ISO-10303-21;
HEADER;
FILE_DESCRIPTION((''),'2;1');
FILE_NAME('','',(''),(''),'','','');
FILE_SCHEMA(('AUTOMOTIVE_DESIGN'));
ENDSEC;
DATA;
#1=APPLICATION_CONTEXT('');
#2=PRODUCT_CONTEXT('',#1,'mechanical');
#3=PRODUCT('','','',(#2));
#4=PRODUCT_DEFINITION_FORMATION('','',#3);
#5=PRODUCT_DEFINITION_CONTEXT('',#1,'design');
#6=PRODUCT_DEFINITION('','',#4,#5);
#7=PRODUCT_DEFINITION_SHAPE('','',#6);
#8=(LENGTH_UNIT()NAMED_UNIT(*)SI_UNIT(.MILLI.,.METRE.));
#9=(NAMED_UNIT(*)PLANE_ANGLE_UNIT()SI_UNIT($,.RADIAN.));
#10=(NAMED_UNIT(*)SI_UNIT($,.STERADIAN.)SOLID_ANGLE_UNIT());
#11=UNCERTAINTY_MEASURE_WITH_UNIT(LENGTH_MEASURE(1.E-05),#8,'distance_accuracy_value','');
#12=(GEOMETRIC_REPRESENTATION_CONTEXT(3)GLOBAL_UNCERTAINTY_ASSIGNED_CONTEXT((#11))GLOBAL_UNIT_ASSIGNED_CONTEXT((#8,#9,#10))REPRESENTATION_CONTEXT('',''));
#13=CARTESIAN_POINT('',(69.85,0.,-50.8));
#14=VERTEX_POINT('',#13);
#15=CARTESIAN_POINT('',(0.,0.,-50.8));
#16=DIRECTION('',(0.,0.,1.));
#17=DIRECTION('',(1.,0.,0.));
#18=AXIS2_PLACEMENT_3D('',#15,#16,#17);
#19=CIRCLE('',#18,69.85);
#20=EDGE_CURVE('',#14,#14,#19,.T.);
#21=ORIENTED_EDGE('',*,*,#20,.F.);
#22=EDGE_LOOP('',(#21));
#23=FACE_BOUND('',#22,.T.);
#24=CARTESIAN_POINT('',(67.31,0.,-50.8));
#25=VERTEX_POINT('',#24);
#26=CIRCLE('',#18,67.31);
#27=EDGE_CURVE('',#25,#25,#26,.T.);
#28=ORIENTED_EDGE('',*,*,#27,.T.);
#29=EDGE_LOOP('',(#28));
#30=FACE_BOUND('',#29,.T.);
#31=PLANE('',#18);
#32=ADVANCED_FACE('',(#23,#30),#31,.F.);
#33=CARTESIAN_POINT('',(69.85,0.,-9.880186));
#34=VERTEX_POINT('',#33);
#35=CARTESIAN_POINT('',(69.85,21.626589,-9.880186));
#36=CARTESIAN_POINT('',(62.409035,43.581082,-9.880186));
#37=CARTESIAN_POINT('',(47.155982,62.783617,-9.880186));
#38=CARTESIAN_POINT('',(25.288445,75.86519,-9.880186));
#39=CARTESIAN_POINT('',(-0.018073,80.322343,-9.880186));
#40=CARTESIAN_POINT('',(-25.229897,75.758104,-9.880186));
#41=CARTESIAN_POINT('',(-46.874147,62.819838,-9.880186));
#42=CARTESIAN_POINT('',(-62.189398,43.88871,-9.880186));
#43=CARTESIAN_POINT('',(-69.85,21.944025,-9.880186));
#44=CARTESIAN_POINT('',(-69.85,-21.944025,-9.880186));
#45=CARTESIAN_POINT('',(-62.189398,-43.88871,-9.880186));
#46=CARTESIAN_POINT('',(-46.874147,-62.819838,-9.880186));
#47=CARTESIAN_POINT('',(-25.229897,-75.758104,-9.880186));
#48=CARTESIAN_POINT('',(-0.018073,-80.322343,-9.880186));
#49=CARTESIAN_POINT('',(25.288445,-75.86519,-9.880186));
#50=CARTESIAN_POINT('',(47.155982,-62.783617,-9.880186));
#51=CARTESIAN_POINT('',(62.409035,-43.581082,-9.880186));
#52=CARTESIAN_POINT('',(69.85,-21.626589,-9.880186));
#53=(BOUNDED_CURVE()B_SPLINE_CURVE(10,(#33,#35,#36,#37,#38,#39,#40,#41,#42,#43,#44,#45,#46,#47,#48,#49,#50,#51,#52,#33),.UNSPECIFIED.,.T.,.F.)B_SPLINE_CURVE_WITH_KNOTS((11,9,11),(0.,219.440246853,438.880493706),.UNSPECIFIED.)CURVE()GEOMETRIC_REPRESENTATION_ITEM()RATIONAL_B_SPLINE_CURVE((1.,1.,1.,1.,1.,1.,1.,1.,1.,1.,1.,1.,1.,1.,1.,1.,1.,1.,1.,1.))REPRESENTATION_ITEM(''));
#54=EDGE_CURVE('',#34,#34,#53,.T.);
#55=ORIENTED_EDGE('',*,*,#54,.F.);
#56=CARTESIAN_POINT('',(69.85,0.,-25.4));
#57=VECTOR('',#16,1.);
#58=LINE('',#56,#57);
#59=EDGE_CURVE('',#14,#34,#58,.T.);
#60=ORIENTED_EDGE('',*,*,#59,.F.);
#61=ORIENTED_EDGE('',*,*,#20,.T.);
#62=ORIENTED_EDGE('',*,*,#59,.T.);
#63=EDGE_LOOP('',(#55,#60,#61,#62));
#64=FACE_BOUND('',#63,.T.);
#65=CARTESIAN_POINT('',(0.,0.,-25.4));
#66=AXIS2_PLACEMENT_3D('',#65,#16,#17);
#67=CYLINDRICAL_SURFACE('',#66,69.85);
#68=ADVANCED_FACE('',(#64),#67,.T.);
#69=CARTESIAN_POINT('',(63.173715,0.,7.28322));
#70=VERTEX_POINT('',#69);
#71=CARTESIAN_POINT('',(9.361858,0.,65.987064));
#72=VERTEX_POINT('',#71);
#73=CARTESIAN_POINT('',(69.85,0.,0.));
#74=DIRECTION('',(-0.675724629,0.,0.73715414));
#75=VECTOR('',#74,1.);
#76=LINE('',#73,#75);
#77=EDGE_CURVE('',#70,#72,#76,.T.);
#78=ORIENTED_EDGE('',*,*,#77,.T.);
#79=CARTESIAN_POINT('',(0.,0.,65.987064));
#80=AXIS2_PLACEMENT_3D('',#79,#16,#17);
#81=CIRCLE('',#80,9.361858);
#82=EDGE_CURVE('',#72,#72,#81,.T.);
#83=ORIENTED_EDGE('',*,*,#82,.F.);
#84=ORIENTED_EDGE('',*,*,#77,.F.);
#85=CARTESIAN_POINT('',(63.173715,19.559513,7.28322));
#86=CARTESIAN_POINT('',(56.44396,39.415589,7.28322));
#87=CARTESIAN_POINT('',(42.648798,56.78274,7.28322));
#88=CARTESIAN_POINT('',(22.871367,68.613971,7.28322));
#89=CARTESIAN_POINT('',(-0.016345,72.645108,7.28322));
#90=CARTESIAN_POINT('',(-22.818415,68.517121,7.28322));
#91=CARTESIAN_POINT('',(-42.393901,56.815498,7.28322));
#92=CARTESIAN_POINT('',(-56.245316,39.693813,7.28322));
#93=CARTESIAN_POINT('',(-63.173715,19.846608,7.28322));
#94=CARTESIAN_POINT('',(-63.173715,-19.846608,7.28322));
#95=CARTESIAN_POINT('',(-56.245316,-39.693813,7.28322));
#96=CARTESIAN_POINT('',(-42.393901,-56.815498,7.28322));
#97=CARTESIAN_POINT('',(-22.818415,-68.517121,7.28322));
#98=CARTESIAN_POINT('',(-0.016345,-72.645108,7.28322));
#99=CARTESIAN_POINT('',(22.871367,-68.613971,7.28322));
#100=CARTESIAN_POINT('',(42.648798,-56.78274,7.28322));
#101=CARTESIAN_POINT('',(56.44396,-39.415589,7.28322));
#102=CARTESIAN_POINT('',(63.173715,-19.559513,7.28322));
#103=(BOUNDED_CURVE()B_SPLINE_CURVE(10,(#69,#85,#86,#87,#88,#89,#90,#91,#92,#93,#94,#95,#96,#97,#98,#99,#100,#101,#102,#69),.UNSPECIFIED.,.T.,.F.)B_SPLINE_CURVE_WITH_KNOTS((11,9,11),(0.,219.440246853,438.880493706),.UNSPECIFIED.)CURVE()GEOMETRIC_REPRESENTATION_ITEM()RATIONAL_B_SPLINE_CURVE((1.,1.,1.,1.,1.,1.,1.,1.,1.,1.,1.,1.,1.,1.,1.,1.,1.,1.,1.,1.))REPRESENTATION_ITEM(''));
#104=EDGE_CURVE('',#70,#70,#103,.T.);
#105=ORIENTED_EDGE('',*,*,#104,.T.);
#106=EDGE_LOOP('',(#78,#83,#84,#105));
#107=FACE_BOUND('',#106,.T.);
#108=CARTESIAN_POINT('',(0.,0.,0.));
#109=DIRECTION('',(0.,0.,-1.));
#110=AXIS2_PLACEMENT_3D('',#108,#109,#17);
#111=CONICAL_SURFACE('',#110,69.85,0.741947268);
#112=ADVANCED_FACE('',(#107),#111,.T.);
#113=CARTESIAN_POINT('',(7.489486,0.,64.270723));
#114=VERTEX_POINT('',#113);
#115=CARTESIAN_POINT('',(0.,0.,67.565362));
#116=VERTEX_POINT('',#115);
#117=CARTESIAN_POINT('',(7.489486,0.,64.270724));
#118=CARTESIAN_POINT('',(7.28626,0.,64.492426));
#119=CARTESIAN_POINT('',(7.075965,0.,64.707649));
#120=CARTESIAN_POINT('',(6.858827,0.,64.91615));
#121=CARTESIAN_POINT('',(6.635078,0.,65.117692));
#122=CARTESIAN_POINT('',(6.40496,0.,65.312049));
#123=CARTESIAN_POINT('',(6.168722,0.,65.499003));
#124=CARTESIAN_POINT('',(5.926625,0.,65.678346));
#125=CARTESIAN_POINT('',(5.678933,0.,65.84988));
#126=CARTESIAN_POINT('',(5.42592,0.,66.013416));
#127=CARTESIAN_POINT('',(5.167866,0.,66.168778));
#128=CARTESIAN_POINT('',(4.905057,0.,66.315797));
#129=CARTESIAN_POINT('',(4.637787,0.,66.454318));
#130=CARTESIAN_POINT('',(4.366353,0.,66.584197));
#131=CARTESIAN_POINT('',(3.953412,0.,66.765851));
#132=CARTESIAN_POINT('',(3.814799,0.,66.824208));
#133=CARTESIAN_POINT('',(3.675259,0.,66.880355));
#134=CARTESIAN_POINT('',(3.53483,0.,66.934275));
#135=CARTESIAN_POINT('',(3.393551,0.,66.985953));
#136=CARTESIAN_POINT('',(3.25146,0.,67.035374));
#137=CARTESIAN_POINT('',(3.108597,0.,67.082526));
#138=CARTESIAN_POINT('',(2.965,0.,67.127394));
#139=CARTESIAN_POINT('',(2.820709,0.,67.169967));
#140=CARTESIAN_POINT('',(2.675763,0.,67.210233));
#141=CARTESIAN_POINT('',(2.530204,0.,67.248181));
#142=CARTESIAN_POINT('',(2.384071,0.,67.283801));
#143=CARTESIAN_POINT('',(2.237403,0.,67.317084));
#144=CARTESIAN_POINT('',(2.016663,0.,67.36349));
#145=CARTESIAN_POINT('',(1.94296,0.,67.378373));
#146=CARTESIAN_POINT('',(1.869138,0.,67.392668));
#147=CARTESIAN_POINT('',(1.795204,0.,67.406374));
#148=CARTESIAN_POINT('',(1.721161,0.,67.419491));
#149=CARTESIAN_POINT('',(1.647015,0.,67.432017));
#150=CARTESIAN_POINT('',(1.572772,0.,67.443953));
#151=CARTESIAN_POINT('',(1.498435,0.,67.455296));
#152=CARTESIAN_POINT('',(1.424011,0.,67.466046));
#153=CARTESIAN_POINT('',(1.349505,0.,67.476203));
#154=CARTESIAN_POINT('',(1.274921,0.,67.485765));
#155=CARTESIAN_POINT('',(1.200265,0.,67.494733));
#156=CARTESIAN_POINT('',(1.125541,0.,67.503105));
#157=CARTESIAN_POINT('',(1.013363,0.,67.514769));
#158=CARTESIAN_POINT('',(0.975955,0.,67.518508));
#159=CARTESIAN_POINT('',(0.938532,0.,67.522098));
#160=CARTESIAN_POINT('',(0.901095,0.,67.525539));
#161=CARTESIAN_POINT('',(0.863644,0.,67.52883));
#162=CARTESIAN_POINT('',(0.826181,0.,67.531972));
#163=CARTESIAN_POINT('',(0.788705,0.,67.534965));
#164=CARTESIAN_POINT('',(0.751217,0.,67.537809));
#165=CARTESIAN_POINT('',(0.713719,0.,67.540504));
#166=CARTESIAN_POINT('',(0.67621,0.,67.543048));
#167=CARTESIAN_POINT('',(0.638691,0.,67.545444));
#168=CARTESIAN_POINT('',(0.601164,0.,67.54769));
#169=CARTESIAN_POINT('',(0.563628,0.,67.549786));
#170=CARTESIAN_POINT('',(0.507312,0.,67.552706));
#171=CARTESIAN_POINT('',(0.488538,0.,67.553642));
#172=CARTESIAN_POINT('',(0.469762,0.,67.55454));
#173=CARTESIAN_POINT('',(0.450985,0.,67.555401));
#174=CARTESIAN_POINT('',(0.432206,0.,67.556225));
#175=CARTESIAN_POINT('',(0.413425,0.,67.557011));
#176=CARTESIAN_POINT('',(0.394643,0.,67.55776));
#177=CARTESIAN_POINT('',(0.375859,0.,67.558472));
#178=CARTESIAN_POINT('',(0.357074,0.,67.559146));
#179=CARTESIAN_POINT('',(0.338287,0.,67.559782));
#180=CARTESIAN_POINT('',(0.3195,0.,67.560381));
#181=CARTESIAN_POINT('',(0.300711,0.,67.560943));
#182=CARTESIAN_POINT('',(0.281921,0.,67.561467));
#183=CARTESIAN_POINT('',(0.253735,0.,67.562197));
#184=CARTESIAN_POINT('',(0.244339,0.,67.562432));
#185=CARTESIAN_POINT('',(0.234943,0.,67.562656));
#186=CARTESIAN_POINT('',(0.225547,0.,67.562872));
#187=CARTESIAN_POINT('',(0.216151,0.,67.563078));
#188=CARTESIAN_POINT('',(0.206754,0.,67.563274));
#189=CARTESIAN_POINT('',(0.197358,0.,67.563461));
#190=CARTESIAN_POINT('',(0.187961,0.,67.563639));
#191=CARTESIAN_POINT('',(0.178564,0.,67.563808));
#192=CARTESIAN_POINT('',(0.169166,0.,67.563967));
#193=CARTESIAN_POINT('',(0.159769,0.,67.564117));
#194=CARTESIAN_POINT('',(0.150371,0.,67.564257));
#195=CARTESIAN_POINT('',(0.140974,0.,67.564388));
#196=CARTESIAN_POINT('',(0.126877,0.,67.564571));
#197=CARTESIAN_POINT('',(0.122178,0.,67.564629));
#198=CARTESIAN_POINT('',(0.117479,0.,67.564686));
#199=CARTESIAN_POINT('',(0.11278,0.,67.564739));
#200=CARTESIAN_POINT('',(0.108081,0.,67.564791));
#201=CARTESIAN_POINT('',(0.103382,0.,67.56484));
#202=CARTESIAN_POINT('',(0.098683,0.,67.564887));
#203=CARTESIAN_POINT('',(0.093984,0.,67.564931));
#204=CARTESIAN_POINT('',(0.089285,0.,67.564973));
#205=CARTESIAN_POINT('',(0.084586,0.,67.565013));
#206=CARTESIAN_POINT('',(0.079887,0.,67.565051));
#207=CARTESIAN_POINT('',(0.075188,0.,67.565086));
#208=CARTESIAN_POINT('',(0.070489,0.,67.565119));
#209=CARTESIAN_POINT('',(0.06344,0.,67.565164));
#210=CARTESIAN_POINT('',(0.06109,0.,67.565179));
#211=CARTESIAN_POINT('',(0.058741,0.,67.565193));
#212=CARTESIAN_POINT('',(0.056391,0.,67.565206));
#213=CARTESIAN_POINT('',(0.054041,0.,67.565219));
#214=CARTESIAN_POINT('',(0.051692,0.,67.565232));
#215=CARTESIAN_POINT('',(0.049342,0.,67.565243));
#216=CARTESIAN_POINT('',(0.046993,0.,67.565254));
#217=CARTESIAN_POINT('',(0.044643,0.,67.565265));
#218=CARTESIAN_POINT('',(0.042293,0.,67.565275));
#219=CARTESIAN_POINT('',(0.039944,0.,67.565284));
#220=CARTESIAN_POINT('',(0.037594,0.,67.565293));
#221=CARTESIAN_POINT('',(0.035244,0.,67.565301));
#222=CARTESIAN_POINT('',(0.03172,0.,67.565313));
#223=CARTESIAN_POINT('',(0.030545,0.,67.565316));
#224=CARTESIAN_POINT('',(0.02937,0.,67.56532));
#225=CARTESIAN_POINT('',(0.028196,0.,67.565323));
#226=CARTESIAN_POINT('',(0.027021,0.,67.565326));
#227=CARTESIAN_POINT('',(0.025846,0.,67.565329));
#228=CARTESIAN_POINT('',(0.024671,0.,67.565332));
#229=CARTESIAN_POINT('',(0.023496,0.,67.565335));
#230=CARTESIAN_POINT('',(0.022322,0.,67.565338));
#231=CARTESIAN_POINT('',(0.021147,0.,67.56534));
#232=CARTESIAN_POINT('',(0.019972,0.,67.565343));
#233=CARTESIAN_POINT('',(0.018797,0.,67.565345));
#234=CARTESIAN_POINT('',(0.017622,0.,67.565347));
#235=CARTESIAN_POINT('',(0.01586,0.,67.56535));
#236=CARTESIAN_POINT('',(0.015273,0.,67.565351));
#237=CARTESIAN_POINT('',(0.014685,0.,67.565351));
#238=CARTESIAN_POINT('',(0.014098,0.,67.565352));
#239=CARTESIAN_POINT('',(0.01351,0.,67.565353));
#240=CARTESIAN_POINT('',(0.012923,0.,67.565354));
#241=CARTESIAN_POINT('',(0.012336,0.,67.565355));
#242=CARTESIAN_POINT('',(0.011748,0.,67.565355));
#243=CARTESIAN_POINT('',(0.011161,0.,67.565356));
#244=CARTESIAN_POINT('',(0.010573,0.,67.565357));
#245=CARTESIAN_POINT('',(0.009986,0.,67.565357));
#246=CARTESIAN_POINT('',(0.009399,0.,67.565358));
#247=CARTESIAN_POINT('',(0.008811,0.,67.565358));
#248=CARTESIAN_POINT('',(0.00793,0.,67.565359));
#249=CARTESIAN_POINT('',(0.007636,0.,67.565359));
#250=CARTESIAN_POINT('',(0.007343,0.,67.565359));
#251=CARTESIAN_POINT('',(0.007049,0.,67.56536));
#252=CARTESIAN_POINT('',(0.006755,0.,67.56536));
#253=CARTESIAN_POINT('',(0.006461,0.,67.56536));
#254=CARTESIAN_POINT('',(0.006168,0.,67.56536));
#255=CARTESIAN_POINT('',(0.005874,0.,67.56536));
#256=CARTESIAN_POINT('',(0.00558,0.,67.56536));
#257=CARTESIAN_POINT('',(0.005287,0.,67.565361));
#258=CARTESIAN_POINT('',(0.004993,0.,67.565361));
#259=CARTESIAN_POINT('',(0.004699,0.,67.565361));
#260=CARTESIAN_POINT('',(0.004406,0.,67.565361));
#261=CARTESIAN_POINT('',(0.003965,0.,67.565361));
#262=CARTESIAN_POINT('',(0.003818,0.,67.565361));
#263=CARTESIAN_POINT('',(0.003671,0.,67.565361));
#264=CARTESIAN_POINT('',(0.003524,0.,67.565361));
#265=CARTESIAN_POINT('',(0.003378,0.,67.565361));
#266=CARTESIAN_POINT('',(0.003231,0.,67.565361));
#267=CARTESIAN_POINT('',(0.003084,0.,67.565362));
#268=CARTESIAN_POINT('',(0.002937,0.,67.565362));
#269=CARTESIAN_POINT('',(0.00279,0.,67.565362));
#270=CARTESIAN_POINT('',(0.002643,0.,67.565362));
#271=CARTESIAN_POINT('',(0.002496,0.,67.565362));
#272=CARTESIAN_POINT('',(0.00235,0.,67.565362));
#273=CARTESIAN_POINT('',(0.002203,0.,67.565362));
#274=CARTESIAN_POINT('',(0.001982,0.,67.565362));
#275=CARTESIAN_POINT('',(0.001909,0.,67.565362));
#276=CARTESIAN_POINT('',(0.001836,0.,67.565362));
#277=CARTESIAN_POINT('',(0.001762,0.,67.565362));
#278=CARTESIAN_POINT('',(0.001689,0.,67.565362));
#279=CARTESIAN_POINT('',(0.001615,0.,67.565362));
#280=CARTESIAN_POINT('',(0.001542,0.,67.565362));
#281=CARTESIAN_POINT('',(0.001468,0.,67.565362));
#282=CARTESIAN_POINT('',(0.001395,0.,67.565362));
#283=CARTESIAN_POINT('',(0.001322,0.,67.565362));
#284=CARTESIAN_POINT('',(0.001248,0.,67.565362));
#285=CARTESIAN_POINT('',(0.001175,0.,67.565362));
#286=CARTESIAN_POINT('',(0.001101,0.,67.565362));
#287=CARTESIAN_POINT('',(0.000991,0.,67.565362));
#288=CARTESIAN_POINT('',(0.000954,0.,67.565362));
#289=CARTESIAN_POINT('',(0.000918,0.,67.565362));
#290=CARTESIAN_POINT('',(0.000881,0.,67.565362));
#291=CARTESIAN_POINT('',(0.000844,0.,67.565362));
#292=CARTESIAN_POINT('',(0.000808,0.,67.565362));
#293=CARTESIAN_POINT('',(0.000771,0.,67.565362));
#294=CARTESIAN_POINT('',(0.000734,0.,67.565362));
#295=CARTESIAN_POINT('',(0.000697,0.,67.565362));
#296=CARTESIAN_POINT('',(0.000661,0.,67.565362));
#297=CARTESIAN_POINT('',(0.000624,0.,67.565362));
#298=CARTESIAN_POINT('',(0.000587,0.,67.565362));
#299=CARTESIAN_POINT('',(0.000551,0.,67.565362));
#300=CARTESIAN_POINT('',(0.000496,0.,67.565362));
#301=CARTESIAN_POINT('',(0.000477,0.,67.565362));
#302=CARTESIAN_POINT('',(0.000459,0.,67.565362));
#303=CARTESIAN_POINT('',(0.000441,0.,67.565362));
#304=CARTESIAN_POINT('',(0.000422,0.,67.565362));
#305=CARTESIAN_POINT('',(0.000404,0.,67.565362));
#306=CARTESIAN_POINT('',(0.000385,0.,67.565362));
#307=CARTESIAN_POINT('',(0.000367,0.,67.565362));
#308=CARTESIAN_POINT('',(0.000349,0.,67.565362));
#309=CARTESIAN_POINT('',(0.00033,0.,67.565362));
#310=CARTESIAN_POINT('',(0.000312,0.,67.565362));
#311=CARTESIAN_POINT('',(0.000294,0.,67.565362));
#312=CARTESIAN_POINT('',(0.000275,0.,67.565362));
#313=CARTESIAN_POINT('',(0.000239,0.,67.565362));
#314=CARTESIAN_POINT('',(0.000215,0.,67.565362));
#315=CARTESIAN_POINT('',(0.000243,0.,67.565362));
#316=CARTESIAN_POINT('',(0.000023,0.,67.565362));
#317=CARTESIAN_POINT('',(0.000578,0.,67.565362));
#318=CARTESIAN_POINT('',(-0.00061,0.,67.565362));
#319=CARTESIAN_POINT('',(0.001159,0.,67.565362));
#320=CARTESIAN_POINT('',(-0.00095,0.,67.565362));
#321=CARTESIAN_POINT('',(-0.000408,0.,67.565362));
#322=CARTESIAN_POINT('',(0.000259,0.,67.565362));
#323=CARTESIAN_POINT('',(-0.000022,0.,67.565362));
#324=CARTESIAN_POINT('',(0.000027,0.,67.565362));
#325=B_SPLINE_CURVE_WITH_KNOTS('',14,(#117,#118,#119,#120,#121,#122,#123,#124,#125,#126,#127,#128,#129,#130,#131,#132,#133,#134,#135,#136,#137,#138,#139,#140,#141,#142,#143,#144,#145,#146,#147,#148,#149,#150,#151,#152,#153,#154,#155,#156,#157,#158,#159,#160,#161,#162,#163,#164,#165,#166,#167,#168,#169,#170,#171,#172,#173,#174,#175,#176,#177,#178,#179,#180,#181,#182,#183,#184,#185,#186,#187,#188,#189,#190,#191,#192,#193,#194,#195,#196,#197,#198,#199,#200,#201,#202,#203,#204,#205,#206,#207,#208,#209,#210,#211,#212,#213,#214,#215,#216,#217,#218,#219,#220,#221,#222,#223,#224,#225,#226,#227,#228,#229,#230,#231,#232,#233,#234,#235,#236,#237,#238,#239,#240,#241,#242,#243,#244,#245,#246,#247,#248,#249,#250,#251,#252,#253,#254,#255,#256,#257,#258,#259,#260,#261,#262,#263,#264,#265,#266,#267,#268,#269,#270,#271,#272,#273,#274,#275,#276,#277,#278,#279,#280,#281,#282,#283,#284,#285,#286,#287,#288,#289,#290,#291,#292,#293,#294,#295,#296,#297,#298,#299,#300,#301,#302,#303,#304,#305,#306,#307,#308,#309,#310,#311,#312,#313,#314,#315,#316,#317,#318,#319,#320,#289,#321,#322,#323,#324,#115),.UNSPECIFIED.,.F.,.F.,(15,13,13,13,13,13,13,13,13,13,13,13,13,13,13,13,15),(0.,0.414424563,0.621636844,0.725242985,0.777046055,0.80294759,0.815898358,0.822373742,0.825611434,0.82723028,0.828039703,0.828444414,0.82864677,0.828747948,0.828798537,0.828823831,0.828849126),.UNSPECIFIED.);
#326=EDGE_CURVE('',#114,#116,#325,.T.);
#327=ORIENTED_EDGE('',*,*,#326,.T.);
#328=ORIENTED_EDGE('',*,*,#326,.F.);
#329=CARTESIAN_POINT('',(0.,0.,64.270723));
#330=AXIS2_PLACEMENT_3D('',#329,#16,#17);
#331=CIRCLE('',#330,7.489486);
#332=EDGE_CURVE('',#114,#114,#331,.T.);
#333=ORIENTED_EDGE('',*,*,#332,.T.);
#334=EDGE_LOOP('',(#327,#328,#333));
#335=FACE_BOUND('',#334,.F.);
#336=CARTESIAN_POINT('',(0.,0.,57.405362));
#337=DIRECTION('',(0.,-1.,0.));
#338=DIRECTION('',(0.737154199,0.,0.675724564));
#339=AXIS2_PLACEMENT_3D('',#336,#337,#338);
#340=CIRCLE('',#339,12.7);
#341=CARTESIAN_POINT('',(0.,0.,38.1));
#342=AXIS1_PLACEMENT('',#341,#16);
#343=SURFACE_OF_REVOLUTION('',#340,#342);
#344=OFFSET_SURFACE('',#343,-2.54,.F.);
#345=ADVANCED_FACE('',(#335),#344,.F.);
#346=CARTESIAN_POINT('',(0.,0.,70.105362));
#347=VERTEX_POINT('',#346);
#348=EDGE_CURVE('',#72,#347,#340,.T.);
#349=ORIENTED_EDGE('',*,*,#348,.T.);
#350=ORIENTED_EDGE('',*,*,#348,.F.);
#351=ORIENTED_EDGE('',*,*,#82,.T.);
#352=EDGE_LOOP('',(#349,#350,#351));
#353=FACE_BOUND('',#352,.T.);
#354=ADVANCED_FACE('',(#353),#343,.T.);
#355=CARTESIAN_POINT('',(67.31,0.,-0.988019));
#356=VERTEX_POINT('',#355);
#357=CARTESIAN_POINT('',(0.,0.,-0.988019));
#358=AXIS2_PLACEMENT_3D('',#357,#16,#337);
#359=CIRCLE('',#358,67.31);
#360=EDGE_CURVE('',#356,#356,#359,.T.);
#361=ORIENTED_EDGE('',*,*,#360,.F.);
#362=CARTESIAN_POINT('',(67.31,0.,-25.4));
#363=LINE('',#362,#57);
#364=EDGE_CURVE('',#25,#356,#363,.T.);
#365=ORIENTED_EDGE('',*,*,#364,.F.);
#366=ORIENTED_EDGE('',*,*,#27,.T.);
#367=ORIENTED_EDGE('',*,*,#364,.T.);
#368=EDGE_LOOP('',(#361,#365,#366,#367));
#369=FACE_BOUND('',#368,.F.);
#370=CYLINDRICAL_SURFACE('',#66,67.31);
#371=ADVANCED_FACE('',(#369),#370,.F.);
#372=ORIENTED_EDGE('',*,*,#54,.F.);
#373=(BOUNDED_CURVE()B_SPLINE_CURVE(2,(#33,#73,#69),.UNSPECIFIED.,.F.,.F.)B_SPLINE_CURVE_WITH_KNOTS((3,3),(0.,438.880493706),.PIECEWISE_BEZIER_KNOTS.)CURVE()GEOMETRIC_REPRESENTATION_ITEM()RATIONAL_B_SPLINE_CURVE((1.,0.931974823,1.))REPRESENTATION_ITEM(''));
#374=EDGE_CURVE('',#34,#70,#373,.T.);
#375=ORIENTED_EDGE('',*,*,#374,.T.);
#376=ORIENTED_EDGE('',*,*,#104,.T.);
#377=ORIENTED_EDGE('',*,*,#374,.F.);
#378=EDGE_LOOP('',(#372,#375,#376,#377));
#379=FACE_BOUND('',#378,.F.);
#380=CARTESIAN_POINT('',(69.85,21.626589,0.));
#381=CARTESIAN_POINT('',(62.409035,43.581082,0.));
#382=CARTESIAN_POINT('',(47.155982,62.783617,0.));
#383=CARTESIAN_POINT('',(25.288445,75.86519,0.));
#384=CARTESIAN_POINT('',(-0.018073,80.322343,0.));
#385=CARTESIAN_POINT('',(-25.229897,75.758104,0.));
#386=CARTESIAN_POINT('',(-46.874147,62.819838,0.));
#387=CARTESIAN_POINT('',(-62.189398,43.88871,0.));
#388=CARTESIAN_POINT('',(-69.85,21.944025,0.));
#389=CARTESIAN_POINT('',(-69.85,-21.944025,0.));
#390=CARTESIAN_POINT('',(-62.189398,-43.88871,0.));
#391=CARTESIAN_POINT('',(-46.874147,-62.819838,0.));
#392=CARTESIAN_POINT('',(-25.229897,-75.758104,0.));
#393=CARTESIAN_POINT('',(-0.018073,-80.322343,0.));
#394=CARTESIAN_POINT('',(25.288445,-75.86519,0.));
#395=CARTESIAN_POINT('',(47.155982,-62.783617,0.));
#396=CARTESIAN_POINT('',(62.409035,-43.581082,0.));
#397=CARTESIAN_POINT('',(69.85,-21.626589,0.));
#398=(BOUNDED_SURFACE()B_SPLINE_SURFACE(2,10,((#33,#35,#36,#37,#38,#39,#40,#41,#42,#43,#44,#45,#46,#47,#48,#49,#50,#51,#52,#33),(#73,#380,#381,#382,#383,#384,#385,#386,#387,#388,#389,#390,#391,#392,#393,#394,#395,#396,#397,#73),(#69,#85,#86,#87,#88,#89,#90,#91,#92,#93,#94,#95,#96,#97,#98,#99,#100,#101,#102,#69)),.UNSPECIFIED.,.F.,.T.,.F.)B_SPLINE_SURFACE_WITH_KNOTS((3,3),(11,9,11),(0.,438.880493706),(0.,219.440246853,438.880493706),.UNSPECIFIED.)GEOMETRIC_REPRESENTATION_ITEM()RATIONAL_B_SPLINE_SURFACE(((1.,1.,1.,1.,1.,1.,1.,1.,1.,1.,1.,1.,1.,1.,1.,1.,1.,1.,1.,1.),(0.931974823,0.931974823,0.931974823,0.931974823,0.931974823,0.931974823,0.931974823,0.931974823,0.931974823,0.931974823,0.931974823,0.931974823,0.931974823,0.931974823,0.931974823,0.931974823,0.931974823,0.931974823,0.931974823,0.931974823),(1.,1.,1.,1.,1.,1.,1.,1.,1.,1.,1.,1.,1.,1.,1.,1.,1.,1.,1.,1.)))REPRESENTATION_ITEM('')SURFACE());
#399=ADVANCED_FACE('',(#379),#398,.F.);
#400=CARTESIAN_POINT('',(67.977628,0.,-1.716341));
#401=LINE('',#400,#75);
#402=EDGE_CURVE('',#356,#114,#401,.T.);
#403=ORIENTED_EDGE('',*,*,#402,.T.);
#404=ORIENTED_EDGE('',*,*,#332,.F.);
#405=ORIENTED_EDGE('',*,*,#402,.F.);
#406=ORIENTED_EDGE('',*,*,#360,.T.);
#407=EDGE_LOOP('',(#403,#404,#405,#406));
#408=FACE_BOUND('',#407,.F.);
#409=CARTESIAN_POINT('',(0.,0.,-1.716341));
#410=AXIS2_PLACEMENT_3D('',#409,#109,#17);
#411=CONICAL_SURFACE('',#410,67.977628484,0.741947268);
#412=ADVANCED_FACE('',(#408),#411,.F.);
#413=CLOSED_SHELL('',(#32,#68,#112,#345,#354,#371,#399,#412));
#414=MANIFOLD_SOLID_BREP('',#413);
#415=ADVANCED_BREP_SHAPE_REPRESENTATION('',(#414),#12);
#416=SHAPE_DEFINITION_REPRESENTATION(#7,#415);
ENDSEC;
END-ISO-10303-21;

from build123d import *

# Parameters (mm, degrees)
F0_W = 69.85
F0_H = 50.8
F2_T = -2.54
F3_R = 25.4


with BuildPart() as f1:
    # F0 (on Front) → F1 (revolve)
    with BuildSketch(Plane.XZ):
        with Locations((34.925, -25.4)):
            Rectangle(F0_W, F0_H)
        with BuildLine():
            Line((0, 70.105362), (0, 0))
            Line((0, 0), (69.85, 0))
            Line((69.85, 0), (9.361858, 65.987064))
            ThreePointArc((9.361858, 65.987064), (5.113823, 69.030284), (0, 70.105362))
        make_face()
    revolve(axis=Axis((0, 0, 38.1), (0, 0, 1)))

    # F2
    f2_openings = [f1.faces().sort_by_distance(p)[0] for p in [
        (0, 0, -50.8),
    ]]
    offset(amount=F2_T, openings=f2_openings)

    # F3
    f3_edges = [f1.edges().sort_by_distance(p)[0] for p in [
        (-69.85, 0, 0),
    ]]
    fillet(f3_edges, radius=F3_R)


solid = f1.part
